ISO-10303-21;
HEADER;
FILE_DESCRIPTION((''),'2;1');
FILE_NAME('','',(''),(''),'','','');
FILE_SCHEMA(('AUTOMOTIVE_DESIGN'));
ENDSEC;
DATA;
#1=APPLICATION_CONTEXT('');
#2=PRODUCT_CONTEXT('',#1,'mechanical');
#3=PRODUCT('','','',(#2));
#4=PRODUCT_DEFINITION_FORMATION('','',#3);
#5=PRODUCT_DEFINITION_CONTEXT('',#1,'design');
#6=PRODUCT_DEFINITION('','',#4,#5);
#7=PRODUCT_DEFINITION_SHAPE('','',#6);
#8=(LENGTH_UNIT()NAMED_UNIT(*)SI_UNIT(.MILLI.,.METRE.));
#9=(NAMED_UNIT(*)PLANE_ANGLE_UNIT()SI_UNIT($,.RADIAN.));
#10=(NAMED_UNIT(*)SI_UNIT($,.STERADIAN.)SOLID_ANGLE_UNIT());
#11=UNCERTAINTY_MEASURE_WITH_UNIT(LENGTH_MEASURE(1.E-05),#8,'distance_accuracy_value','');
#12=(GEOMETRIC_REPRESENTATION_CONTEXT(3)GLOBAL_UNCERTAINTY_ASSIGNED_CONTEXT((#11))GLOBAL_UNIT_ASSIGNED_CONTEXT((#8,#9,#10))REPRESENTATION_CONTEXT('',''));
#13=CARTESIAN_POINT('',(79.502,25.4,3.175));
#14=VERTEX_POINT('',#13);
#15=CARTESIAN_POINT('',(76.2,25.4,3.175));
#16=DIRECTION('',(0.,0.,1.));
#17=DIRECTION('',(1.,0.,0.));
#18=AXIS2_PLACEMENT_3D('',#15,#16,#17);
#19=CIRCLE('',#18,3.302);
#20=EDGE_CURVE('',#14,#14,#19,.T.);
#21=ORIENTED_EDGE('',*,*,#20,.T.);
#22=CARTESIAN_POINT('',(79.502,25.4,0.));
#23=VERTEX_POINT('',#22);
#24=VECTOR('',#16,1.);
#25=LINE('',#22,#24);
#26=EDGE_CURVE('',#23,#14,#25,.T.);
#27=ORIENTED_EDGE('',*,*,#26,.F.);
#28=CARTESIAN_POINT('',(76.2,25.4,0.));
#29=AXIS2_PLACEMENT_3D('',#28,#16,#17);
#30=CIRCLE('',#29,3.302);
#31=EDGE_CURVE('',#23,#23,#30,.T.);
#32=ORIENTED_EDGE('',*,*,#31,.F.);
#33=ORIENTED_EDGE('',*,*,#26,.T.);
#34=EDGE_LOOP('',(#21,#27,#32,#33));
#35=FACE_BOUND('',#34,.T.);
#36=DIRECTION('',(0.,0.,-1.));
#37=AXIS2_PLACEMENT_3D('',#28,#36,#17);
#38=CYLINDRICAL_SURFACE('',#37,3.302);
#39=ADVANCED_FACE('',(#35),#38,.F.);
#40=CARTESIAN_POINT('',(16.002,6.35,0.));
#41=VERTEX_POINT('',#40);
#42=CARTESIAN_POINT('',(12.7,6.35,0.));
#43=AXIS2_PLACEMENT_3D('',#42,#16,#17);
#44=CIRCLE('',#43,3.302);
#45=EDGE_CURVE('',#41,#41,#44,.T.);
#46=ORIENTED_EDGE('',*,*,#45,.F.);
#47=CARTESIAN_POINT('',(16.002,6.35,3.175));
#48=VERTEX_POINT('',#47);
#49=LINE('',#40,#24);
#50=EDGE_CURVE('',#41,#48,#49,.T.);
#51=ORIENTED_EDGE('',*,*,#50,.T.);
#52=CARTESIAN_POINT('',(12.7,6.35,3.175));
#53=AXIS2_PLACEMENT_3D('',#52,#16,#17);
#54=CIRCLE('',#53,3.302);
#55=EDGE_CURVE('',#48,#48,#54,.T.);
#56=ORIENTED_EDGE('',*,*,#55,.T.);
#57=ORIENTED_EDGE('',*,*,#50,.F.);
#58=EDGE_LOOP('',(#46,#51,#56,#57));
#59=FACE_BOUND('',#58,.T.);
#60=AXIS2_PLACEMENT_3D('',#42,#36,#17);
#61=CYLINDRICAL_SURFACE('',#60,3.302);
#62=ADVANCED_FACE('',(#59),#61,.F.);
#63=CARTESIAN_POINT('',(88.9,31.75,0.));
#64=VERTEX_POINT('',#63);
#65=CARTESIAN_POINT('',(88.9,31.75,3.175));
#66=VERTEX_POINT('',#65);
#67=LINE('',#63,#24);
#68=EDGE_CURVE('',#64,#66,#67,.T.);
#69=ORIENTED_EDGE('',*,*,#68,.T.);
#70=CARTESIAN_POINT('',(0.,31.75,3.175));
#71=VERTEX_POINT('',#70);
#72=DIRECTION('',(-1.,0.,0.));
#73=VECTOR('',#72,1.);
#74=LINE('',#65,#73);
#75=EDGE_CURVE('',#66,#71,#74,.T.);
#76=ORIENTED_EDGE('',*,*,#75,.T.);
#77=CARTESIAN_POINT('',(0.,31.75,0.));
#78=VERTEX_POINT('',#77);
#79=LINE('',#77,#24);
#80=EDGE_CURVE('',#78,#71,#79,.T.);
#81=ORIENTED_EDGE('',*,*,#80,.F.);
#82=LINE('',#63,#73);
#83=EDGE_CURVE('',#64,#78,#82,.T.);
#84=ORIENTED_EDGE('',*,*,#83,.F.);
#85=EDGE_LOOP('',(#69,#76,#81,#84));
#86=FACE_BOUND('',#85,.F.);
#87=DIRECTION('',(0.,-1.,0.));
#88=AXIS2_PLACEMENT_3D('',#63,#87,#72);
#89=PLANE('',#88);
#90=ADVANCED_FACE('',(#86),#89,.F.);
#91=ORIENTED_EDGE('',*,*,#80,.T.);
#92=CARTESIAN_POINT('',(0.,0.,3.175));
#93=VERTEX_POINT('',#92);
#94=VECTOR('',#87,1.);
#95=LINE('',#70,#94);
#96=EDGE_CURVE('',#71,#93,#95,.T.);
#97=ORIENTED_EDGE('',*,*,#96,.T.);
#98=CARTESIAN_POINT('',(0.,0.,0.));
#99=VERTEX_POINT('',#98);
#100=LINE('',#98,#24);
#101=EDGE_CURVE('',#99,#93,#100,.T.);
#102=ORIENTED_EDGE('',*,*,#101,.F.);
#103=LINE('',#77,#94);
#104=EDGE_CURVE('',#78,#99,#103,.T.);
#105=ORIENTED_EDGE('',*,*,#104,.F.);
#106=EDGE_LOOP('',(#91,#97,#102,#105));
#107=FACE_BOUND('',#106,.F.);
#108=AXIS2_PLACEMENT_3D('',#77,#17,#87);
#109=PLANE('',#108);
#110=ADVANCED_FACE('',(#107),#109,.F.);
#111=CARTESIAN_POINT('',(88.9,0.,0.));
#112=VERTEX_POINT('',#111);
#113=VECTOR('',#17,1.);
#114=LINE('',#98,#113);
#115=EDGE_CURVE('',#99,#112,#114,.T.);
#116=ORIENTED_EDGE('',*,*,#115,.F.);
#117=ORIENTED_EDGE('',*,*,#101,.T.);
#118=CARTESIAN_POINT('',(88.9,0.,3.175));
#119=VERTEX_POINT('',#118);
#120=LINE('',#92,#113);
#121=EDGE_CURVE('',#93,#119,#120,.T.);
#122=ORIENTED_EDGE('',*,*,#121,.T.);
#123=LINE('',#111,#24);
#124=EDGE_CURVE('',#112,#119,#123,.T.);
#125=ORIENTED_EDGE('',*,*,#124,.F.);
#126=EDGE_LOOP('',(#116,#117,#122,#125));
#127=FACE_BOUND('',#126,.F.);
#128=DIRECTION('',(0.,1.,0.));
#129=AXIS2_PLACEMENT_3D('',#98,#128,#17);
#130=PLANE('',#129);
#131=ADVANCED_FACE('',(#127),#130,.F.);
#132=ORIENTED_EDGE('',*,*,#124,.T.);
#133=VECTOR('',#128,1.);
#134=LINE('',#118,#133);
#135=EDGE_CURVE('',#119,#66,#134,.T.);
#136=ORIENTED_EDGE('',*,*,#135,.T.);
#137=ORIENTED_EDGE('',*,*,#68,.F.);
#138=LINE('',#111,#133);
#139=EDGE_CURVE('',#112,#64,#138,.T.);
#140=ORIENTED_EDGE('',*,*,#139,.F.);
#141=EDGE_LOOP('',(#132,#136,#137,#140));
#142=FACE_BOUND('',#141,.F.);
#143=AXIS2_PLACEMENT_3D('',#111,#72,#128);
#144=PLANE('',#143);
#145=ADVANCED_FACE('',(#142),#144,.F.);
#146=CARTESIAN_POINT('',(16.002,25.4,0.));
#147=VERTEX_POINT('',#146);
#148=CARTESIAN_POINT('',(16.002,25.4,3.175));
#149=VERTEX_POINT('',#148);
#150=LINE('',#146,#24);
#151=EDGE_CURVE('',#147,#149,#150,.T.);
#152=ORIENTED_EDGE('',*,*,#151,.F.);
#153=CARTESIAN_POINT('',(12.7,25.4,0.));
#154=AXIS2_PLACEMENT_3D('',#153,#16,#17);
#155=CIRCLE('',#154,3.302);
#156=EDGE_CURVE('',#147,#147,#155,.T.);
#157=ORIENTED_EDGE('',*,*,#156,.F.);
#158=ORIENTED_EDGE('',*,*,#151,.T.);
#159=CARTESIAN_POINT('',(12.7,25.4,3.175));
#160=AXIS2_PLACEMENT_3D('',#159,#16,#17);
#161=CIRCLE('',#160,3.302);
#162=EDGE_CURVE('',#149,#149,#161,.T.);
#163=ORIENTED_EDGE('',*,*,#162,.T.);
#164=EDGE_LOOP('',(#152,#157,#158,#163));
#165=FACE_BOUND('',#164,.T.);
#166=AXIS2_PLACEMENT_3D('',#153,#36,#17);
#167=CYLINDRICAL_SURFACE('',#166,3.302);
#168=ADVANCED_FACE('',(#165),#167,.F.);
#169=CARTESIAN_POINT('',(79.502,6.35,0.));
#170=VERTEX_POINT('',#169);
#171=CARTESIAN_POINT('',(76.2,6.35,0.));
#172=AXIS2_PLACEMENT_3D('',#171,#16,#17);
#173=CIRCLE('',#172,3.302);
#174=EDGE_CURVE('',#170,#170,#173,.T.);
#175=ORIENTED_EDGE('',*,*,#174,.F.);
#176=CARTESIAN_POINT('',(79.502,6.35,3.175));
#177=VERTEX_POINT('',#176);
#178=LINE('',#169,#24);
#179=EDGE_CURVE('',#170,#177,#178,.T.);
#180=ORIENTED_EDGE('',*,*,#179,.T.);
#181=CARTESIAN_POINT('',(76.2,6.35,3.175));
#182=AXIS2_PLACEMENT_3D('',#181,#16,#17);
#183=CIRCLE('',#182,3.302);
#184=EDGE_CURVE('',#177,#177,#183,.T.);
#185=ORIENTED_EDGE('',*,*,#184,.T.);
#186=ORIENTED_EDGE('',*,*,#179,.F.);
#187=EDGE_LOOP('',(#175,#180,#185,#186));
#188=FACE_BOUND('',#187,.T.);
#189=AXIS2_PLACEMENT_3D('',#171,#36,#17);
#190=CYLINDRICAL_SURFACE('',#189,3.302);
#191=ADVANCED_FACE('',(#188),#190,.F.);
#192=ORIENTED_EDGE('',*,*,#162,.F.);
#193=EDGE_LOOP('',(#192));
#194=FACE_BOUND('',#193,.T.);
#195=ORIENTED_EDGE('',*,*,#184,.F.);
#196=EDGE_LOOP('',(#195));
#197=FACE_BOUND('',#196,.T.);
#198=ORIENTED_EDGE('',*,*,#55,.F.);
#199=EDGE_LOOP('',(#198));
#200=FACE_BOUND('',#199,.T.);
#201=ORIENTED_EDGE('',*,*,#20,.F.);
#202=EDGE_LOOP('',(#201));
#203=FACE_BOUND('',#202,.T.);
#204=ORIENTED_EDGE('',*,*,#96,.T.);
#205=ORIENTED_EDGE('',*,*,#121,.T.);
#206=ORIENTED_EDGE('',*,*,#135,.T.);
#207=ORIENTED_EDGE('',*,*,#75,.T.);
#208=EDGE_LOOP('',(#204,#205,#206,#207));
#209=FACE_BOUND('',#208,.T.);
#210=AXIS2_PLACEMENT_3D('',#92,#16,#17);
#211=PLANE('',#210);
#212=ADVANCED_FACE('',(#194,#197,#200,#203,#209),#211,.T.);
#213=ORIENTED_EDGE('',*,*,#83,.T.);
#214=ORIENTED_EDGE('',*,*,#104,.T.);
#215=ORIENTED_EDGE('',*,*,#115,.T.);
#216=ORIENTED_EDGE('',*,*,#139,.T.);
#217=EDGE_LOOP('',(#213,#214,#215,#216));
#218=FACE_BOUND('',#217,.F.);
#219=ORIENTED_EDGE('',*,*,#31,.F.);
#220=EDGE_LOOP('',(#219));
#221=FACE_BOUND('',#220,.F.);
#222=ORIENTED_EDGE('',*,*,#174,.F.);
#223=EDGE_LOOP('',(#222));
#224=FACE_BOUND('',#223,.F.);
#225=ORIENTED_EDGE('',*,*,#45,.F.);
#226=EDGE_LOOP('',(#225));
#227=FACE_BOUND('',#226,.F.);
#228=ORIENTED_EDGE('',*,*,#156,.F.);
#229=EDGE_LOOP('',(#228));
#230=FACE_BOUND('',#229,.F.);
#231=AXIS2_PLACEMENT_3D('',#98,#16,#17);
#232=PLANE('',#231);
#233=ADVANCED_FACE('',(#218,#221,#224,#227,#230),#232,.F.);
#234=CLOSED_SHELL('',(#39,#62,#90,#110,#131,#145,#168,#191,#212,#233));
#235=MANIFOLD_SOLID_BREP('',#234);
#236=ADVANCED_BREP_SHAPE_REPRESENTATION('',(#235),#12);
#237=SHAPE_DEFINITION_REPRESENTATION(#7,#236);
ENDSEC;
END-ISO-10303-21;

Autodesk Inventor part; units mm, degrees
ref_plane "YZ Plane" through (0, 0, 0) normal (1, 0, 0) x (0, 1, 0)
ref_plane "XZ Plane" through (0, 0, 0) normal (0, 1, 0) x (-1, 0, 0)
ref_plane "XY Plane" through (0, 0, 0) normal (0, 0, 1) x (1, 0, 0)
sketch "Sketch1" plane through (0, 0, 0) normal (0, 0, 1) x (1, 0, 0)
  line L0 (0, 0) -> (88.9, 0)
  line L1 (88.9, 0) -> (88.9, 31.75)
  line L2 (88.9, 31.75) -> (0, 31.75)
  line L3 (0, 31.75) -> (0, 0)
  circle A0 centre (12.7, 25.4) radius 3.302
  circle A1 centre (76.2, 25.4) radius 3.302
  circle A2 centre (12.7, 6.35) radius 3.302
  circle A3 centre (76.2, 6.35) radius 3.302
  line L4 (12.7, 25.4) -> (76.2, 25.4) construction
  line L5 (44.45, 31.75) -> (44.45, 0) construction
  point P0 (44.45, 25.4)
  dimension "d0" = 88.9
  dimension "d2" = 31.75
  dimension "d5" = 63.5
  dimension "d8" = 19.05
  dimension "d11" = 6.35
  dimension "d12" = 6.604
extrude "Extrusion1" add sketch "Sketch1" along normal blind 3.175
properties part number "M - Upper Rail Connector Plate 1" material "Aluminum 6061"
